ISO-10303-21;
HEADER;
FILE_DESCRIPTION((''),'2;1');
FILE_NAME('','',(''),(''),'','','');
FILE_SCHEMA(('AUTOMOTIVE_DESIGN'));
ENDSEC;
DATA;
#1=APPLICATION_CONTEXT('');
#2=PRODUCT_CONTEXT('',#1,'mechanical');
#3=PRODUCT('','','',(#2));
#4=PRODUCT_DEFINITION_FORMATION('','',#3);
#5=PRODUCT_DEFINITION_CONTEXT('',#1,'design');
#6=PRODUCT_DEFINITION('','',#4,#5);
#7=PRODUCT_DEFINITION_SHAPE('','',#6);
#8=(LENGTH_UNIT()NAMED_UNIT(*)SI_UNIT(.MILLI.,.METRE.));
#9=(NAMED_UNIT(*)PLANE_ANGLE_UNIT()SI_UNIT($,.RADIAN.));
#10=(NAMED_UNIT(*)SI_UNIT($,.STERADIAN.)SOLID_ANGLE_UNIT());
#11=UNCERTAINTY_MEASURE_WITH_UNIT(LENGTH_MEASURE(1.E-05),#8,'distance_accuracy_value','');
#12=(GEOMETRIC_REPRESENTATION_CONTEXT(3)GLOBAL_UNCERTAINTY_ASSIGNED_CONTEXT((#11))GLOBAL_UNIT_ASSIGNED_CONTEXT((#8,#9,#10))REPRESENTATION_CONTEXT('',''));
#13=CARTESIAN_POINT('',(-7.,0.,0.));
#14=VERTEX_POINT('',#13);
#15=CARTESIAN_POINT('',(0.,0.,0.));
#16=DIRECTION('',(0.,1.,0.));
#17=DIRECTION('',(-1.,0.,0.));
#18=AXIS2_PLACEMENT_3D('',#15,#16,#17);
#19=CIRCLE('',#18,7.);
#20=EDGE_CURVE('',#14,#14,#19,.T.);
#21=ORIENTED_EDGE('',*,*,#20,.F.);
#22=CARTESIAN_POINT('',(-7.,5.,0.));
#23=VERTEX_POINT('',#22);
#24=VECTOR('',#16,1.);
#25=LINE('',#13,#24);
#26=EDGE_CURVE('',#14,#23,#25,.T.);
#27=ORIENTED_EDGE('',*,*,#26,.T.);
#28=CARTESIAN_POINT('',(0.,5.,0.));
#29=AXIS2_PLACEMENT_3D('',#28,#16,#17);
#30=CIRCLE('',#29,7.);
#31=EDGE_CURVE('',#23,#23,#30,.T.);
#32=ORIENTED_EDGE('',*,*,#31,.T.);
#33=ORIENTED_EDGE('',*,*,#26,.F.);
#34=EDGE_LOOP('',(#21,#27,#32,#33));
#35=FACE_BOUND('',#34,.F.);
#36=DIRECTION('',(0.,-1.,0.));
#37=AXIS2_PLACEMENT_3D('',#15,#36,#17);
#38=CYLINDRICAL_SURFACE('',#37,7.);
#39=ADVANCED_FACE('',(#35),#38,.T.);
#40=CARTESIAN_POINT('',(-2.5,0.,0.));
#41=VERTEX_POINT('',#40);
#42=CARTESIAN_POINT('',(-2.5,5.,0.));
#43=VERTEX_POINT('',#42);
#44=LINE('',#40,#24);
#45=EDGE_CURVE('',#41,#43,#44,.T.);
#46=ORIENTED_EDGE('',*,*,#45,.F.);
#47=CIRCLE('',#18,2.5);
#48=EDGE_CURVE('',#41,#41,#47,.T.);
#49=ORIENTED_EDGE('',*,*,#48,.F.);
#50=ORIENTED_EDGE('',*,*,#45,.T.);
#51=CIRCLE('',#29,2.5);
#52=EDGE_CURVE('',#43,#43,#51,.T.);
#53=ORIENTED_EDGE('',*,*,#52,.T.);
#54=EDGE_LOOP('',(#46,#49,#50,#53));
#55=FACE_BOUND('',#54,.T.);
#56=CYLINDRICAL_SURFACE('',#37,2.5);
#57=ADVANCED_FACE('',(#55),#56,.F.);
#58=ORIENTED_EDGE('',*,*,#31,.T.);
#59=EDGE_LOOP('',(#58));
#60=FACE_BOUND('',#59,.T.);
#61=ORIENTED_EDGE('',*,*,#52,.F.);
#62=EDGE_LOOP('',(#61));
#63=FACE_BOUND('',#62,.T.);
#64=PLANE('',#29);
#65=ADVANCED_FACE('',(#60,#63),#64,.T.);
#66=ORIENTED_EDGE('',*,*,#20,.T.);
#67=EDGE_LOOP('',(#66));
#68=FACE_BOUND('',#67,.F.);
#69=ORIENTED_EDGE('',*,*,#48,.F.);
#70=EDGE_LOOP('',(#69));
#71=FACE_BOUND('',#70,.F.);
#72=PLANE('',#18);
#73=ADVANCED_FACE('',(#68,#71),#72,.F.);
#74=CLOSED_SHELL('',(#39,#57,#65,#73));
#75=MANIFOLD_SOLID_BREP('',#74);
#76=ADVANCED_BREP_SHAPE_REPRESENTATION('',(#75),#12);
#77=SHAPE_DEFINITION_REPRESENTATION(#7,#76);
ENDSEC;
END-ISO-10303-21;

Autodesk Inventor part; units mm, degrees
ref_plane "YZ Plane" through (0, 0, 0) normal (1, 0, 0) x (0, 1, 0)
ref_plane "XZ Plane" through (0, 0, 0) normal (0, 1, 0) x (-1, 0, 0)
ref_plane "XY Plane" through (0, 0, 0) normal (0, 0, 1) x (1, 0, 0)
sketch "Sketch1" plane through (0, 0, 0) normal (0, 1, 0) x (-1, 0, 0)
  circle A0 centre (0, 0) radius 2.5
  circle A1 centre (0, 0) radius 7
  dimension "d0" = 5
  dimension "d1" = 14
extrude "Extrusion1" add sketch "Sketch1" along normal blind 5
properties part number "605_2rs_bearing" material "Aluminum 6061"
